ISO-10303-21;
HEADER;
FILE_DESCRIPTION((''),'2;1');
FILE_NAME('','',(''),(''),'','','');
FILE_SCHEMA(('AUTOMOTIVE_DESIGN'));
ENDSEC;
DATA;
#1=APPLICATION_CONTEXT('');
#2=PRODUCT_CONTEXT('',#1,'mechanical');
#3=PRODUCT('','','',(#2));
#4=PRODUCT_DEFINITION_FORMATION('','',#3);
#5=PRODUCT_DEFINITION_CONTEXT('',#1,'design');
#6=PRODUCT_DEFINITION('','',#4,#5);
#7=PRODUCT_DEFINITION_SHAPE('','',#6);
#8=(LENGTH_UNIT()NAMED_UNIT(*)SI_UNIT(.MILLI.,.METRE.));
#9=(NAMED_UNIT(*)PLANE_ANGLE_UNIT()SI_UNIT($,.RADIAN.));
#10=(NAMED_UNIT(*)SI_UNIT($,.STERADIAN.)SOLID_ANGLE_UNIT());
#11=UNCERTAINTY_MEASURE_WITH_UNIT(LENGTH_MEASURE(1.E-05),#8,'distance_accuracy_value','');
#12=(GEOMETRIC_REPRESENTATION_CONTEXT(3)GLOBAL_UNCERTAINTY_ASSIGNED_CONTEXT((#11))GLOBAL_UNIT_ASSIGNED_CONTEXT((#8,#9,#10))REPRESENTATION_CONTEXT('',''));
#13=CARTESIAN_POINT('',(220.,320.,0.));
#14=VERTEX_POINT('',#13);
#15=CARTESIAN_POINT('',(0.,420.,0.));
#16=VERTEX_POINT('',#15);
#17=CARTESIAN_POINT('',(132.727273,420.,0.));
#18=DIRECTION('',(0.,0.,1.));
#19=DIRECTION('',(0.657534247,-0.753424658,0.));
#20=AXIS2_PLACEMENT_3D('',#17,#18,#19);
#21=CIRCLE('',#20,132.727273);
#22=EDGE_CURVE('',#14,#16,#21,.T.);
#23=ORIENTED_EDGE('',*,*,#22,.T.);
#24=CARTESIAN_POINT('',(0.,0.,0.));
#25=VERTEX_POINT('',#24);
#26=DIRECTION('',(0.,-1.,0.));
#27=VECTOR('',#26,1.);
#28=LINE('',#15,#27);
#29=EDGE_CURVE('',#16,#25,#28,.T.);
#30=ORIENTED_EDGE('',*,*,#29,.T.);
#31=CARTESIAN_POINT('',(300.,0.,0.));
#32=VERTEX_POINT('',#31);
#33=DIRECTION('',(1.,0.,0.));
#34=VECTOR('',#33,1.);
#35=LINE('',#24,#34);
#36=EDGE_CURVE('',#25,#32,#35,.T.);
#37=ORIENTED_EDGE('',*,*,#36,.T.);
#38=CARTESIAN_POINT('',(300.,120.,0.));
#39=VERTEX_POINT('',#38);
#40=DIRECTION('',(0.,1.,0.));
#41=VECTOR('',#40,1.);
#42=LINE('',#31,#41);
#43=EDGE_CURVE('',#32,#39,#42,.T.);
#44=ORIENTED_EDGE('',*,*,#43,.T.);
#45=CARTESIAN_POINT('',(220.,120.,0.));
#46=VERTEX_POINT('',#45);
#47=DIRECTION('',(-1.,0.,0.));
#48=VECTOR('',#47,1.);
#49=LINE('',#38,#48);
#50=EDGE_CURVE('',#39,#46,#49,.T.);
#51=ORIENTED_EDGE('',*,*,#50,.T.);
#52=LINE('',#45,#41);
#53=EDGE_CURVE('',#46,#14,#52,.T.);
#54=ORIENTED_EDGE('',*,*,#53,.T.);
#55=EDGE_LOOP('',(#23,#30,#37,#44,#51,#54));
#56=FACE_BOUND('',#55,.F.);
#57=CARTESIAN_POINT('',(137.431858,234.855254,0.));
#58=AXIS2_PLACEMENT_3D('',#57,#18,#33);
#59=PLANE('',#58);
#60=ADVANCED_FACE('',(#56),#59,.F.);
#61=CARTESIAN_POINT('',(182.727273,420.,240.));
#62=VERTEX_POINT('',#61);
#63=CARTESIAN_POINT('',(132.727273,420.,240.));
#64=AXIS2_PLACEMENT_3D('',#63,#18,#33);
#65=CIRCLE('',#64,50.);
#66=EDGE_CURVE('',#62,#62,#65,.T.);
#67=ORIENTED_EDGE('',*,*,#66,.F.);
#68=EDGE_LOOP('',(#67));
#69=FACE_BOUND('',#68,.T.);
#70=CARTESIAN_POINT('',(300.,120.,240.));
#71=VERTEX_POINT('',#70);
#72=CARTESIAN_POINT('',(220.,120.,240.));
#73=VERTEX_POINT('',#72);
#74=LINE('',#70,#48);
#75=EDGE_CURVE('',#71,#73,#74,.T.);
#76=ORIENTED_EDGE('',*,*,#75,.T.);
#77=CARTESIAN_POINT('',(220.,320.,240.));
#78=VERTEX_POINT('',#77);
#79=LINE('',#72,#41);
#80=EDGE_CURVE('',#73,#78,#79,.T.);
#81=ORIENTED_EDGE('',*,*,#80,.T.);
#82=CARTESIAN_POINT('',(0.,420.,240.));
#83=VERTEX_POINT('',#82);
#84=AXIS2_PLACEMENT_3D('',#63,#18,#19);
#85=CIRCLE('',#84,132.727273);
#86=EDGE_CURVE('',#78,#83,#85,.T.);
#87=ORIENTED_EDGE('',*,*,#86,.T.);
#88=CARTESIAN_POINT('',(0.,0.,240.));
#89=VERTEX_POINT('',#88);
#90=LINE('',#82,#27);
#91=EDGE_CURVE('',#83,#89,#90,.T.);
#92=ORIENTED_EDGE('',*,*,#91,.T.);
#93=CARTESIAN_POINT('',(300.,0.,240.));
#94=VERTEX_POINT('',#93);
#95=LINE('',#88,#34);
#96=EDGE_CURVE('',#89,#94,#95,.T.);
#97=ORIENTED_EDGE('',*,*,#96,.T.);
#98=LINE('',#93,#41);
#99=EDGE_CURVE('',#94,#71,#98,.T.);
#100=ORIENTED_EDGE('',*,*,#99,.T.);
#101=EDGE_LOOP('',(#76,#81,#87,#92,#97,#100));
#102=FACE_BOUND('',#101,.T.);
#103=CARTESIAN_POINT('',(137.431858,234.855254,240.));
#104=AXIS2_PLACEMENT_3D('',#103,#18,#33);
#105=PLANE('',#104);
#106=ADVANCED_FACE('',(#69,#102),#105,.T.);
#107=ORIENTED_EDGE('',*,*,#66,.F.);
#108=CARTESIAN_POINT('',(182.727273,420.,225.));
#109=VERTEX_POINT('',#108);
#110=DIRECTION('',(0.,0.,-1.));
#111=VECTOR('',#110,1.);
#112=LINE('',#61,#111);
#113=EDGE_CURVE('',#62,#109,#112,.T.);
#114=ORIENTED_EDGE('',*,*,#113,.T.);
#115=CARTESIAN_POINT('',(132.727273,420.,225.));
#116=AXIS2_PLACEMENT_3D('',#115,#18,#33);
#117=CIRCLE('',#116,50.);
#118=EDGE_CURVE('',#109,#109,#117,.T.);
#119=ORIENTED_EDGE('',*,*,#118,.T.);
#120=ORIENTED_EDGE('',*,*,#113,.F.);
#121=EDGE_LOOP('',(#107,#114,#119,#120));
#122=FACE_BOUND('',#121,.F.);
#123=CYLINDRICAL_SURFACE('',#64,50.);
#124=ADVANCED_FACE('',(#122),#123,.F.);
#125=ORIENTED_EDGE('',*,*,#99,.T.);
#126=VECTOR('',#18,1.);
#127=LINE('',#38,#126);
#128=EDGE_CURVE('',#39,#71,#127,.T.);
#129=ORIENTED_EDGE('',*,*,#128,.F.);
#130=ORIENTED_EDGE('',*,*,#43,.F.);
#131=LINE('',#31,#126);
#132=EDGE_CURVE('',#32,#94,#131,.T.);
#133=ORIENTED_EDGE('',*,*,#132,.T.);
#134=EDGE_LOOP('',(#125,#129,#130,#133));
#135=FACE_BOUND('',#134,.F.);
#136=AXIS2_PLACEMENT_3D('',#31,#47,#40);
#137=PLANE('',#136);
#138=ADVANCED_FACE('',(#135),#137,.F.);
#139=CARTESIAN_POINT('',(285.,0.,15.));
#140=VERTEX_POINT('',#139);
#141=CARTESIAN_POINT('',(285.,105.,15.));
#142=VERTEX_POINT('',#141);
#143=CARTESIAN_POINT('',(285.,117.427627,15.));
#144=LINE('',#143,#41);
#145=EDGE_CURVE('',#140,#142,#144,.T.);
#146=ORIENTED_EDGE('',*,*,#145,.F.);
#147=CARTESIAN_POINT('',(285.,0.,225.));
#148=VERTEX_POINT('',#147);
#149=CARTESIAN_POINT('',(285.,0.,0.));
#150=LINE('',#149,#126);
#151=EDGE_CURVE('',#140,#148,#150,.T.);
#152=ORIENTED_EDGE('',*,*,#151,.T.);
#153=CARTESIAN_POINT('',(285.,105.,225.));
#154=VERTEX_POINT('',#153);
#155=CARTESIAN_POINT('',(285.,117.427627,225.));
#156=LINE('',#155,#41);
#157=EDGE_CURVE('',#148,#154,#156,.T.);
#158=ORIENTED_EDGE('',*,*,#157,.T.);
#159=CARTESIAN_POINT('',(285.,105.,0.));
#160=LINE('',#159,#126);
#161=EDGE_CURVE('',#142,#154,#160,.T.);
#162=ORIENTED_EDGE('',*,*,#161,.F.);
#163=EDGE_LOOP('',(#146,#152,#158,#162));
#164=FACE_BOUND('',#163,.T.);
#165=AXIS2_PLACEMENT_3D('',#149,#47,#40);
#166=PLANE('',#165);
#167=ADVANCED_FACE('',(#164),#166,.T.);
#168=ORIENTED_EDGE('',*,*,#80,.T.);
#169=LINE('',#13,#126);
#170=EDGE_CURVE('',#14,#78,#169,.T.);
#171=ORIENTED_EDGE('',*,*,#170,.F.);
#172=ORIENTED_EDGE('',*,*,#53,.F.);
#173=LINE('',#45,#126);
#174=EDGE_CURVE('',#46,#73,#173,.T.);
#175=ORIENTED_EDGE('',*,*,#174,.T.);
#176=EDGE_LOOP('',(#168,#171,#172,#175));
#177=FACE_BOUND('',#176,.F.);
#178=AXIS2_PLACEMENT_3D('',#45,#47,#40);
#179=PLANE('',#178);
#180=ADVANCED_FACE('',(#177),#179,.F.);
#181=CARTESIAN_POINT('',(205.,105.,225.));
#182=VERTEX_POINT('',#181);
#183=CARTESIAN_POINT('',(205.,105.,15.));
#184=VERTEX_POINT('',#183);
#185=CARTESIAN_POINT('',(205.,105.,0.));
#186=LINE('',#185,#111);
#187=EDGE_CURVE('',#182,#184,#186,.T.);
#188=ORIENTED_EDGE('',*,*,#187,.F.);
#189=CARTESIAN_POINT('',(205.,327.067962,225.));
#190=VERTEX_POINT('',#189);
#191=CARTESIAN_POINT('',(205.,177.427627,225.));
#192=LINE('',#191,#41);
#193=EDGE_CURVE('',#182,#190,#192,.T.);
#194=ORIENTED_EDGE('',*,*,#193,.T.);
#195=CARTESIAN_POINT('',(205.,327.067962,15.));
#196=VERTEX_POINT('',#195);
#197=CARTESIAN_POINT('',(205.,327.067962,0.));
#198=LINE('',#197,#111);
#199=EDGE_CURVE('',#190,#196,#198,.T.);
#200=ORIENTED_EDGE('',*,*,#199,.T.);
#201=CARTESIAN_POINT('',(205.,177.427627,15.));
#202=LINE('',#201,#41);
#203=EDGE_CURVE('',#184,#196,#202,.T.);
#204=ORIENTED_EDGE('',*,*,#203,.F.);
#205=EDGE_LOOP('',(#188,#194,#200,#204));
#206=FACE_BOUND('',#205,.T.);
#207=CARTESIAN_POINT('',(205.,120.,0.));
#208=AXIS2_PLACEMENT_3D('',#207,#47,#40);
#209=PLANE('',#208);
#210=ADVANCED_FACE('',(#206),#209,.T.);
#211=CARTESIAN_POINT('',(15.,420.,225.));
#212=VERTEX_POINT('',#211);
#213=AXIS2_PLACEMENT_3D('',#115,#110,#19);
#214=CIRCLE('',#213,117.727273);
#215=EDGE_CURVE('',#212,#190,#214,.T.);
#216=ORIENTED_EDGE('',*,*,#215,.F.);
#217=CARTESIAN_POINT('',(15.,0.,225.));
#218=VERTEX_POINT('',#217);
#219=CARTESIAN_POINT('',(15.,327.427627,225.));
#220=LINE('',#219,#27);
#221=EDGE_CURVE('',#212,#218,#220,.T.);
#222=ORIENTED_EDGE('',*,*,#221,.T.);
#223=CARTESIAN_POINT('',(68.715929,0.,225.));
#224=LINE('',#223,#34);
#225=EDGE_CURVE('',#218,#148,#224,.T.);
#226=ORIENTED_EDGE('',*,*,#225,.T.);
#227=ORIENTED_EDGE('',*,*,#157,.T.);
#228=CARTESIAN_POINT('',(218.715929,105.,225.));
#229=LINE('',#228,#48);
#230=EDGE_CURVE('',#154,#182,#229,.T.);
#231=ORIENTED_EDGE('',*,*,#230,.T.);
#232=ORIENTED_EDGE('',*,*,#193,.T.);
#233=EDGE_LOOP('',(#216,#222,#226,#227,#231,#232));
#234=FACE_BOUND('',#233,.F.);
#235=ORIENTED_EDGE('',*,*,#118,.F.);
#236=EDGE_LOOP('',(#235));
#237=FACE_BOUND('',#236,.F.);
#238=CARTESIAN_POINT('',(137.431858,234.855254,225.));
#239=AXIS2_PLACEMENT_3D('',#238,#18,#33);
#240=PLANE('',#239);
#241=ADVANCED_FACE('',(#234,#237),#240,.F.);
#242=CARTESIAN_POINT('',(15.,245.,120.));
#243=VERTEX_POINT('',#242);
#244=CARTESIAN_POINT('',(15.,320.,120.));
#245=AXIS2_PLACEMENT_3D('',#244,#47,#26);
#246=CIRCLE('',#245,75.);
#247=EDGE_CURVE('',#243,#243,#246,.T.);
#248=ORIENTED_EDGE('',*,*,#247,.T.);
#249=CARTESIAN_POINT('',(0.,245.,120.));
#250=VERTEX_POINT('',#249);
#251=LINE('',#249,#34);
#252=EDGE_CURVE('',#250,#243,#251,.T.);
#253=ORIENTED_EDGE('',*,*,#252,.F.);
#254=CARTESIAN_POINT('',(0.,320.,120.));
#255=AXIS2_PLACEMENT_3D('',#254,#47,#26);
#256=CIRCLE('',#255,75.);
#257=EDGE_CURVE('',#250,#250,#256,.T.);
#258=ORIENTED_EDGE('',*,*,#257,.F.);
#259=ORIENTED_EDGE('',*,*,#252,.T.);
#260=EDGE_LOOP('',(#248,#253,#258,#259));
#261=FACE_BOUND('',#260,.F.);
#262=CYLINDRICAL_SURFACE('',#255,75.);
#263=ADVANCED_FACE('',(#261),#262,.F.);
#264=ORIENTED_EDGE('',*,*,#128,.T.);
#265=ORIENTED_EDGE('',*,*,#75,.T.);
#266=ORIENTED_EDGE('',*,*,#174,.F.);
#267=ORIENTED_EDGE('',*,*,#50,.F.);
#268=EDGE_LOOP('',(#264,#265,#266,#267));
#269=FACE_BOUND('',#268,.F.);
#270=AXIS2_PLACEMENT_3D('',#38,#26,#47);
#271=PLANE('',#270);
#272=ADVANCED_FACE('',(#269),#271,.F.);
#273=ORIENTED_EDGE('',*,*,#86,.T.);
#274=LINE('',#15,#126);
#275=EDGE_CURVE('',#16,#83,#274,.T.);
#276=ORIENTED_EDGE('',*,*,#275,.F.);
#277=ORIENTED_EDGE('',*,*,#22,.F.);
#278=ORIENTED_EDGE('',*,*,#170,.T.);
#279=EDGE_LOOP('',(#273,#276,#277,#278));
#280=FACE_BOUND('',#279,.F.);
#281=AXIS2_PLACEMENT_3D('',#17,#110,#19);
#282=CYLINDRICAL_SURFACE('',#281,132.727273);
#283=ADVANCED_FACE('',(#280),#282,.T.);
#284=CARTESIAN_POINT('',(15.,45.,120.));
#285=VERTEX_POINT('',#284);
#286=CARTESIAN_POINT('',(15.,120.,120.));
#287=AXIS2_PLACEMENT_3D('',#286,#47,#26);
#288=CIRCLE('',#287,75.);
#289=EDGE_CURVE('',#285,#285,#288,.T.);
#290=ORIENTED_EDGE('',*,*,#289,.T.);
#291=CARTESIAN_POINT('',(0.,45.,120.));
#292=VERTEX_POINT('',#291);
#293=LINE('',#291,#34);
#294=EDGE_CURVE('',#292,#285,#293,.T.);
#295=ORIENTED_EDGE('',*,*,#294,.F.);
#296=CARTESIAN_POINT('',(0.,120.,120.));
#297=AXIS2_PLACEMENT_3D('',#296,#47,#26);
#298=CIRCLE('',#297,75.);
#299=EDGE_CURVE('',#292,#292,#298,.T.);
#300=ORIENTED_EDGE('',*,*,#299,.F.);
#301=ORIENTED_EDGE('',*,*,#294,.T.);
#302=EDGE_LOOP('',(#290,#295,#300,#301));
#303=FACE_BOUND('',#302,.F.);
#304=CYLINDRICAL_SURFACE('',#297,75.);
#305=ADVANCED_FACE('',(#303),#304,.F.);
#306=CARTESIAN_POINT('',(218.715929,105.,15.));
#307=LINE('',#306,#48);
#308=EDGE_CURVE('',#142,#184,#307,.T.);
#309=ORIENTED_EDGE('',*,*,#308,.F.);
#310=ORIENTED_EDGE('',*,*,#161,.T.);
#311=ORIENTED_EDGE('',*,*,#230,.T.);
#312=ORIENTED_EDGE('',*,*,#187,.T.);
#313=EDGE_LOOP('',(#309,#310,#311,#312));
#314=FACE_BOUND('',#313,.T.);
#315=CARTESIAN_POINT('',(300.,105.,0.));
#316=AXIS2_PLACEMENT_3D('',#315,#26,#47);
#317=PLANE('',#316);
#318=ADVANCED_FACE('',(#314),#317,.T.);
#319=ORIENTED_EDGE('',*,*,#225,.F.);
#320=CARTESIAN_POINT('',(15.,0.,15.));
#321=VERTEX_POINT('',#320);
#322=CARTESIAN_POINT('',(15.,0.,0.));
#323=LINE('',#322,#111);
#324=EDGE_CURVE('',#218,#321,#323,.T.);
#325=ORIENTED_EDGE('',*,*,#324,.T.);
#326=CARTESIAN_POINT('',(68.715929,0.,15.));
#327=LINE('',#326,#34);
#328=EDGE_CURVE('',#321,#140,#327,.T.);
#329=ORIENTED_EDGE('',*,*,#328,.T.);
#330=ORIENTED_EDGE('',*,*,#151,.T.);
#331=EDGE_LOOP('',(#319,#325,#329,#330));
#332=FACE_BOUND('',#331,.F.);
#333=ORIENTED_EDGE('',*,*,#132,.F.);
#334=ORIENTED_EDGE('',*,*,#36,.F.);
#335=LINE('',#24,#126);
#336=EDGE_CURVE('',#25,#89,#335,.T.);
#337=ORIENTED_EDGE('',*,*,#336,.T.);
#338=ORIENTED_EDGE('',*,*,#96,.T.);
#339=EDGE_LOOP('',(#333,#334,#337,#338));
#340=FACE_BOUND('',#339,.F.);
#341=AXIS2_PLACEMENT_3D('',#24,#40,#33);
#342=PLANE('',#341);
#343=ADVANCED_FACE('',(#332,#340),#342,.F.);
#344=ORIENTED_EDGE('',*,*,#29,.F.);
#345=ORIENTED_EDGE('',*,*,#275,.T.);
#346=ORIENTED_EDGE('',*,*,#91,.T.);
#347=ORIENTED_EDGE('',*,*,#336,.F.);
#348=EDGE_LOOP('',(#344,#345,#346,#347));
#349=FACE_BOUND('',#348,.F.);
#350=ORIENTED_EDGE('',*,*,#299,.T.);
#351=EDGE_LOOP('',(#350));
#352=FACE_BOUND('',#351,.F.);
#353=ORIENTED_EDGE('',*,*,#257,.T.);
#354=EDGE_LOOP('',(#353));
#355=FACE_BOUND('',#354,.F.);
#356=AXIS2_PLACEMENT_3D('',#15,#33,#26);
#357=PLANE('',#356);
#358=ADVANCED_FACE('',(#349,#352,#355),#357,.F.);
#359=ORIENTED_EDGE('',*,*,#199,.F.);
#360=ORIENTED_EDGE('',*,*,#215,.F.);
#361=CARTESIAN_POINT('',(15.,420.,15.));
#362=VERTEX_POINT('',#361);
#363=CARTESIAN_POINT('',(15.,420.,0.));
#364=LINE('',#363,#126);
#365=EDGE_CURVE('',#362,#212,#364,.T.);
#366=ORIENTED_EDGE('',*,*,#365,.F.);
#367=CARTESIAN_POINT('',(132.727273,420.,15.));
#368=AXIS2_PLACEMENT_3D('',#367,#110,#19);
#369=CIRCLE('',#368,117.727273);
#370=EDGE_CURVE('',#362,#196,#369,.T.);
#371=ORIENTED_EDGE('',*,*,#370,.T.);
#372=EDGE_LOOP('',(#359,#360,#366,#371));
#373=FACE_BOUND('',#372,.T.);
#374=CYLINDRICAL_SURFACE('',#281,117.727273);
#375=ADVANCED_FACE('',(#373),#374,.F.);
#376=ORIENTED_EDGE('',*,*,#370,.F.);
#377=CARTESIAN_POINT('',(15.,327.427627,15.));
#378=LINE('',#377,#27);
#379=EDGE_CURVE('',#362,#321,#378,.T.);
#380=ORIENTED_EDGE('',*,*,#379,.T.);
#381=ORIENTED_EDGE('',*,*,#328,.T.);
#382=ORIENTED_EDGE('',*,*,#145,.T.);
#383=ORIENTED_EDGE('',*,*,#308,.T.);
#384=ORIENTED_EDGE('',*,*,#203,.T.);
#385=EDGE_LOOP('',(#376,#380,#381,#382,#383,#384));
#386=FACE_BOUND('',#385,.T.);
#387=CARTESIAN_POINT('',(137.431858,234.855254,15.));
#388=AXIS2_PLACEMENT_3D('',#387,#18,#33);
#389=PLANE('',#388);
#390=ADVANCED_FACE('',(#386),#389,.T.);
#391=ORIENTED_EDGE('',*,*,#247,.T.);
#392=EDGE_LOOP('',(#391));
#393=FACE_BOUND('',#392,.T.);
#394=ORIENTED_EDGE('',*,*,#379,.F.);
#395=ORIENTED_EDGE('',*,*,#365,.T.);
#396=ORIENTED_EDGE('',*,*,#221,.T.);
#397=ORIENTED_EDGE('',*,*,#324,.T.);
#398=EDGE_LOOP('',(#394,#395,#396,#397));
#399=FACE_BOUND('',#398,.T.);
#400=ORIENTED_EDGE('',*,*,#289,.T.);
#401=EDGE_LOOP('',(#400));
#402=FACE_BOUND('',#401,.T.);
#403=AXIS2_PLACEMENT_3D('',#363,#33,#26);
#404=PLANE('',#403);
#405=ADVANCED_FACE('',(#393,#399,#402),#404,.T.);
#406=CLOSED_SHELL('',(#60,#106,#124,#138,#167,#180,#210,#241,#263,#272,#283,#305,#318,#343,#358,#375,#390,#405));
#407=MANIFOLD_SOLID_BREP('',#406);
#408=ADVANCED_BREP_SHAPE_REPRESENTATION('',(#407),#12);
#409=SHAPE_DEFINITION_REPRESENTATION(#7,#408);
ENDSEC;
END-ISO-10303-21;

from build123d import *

# Parameters (mm, degrees)
F1_DEPTH = 240
F2_T     = -15
F3_R     = 50
F4_DEPTH = 50
F5_R     = 75
F6_DEPTH = 50


with BuildPart() as f1:
    # F0 (on Top) → F1 (new body)
    with BuildSketch(Plane.XY):
        with BuildLine():
            Line((0, 420), (0, 0))
            Line((0, 0), (300, 0))
            Line((300, 0), (300, 120))
            Line((300, 120), (220, 120))
            Line((220, 120), (220, 320))
            ThreePointArc((220, 320), (187.6502089709, 540.8304597359), (0, 420))
        make_face()
    extrude(amount=F1_DEPTH)

    # F2
    f2_openings = [f1.faces().sort_by_distance(p)[0] for p in [
        (150, 0, 120),
    ]]
    offset(amount=F2_T, openings=f2_openings, kind=Kind.INTERSECTION)

    # F3 (on face) → F4 (cut)
    with BuildSketch(Plane.XY.offset(240)):
        with Locations((132.7272727273, 420)):
            Circle(F3_R)
    extrude(amount=-F4_DEPTH, mode=Mode.SUBTRACT)

    # F5 (on face) → F6 (cut)
    with BuildSketch(Plane(origin=(0, 0, 0), x_dir=(0, -1, 0), z_dir=(-1, 0, 0))):
        with Locations((-320, 120)):
            Circle(F5_R)
        with Locations((-120, 120)):
            Circle(F5_R)
    extrude(amount=-F6_DEPTH, mode=Mode.SUBTRACT)


solid = f1.part
